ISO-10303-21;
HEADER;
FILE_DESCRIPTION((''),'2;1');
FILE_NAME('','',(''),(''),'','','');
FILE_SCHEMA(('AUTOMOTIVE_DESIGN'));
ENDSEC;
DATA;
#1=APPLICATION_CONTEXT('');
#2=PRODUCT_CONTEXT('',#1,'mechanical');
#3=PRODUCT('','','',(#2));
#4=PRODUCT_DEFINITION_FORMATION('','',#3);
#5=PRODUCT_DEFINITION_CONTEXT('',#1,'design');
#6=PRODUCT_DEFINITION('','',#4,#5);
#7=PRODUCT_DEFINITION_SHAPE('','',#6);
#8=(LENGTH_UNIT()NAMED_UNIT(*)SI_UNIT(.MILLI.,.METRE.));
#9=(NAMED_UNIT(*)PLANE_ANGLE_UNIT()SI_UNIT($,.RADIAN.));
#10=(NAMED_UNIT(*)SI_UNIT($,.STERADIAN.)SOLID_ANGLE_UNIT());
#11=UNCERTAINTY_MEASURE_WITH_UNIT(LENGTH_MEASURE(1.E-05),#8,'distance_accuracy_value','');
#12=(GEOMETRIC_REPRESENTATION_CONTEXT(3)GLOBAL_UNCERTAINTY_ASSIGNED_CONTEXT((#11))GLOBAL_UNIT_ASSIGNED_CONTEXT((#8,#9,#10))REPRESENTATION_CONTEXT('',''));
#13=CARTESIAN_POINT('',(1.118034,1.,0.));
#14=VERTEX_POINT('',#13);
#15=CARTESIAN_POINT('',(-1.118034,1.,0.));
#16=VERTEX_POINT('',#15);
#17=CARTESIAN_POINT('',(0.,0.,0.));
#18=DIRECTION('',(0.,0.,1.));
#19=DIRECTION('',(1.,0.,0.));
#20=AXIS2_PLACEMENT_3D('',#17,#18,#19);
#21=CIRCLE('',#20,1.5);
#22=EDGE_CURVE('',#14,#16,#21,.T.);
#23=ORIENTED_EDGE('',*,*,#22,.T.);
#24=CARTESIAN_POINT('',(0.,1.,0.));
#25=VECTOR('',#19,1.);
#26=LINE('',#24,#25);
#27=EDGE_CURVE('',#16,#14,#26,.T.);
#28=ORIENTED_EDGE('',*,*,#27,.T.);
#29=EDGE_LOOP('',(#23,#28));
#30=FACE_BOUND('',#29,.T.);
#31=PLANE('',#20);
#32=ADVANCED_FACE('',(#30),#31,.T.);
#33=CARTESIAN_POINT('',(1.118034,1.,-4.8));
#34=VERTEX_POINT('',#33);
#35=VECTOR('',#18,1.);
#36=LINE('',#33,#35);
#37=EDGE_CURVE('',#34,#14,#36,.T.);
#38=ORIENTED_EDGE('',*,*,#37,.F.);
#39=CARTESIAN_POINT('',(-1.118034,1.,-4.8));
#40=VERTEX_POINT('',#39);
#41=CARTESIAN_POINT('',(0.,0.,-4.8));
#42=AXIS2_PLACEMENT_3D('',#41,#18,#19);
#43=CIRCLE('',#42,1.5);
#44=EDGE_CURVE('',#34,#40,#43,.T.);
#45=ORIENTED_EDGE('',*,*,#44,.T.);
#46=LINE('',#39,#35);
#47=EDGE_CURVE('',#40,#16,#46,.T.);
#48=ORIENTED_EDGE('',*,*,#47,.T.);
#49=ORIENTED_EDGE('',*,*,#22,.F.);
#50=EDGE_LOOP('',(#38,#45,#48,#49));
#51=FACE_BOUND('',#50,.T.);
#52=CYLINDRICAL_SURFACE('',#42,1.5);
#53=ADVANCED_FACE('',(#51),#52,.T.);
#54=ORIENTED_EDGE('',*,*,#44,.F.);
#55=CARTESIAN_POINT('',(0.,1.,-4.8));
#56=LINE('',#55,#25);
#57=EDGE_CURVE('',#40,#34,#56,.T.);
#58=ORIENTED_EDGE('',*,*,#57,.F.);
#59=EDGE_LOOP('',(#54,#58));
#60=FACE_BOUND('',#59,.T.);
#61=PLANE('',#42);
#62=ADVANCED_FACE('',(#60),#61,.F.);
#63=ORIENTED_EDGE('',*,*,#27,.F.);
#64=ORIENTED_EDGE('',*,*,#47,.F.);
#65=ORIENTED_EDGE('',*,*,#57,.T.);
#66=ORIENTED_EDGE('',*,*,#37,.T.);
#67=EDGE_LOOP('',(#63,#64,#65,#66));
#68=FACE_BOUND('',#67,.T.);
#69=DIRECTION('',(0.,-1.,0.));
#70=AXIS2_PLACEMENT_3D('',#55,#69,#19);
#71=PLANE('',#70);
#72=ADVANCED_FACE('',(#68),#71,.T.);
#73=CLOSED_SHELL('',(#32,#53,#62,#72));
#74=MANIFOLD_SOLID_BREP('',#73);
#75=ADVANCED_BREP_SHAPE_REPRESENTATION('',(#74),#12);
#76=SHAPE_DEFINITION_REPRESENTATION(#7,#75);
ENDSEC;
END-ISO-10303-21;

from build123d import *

# Parameters (mm, degrees)
BOSS_EXTRUDE1_DEPTH = 4.8


with BuildPart() as part:
    # Sketch1 → Boss-Extrude1 (new body)
    with BuildSketch(Plane.XY):
        with BuildLine():
            Line((-1.118033989, 1), (1.118033989, 1))
            ThreePointArc((1.118033989, 1), (0, 1.5), (-1.118033989, 1))
        make_face()
    extrude(amount=-BOSS_EXTRUDE1_DEPTH)


solid = part.part
